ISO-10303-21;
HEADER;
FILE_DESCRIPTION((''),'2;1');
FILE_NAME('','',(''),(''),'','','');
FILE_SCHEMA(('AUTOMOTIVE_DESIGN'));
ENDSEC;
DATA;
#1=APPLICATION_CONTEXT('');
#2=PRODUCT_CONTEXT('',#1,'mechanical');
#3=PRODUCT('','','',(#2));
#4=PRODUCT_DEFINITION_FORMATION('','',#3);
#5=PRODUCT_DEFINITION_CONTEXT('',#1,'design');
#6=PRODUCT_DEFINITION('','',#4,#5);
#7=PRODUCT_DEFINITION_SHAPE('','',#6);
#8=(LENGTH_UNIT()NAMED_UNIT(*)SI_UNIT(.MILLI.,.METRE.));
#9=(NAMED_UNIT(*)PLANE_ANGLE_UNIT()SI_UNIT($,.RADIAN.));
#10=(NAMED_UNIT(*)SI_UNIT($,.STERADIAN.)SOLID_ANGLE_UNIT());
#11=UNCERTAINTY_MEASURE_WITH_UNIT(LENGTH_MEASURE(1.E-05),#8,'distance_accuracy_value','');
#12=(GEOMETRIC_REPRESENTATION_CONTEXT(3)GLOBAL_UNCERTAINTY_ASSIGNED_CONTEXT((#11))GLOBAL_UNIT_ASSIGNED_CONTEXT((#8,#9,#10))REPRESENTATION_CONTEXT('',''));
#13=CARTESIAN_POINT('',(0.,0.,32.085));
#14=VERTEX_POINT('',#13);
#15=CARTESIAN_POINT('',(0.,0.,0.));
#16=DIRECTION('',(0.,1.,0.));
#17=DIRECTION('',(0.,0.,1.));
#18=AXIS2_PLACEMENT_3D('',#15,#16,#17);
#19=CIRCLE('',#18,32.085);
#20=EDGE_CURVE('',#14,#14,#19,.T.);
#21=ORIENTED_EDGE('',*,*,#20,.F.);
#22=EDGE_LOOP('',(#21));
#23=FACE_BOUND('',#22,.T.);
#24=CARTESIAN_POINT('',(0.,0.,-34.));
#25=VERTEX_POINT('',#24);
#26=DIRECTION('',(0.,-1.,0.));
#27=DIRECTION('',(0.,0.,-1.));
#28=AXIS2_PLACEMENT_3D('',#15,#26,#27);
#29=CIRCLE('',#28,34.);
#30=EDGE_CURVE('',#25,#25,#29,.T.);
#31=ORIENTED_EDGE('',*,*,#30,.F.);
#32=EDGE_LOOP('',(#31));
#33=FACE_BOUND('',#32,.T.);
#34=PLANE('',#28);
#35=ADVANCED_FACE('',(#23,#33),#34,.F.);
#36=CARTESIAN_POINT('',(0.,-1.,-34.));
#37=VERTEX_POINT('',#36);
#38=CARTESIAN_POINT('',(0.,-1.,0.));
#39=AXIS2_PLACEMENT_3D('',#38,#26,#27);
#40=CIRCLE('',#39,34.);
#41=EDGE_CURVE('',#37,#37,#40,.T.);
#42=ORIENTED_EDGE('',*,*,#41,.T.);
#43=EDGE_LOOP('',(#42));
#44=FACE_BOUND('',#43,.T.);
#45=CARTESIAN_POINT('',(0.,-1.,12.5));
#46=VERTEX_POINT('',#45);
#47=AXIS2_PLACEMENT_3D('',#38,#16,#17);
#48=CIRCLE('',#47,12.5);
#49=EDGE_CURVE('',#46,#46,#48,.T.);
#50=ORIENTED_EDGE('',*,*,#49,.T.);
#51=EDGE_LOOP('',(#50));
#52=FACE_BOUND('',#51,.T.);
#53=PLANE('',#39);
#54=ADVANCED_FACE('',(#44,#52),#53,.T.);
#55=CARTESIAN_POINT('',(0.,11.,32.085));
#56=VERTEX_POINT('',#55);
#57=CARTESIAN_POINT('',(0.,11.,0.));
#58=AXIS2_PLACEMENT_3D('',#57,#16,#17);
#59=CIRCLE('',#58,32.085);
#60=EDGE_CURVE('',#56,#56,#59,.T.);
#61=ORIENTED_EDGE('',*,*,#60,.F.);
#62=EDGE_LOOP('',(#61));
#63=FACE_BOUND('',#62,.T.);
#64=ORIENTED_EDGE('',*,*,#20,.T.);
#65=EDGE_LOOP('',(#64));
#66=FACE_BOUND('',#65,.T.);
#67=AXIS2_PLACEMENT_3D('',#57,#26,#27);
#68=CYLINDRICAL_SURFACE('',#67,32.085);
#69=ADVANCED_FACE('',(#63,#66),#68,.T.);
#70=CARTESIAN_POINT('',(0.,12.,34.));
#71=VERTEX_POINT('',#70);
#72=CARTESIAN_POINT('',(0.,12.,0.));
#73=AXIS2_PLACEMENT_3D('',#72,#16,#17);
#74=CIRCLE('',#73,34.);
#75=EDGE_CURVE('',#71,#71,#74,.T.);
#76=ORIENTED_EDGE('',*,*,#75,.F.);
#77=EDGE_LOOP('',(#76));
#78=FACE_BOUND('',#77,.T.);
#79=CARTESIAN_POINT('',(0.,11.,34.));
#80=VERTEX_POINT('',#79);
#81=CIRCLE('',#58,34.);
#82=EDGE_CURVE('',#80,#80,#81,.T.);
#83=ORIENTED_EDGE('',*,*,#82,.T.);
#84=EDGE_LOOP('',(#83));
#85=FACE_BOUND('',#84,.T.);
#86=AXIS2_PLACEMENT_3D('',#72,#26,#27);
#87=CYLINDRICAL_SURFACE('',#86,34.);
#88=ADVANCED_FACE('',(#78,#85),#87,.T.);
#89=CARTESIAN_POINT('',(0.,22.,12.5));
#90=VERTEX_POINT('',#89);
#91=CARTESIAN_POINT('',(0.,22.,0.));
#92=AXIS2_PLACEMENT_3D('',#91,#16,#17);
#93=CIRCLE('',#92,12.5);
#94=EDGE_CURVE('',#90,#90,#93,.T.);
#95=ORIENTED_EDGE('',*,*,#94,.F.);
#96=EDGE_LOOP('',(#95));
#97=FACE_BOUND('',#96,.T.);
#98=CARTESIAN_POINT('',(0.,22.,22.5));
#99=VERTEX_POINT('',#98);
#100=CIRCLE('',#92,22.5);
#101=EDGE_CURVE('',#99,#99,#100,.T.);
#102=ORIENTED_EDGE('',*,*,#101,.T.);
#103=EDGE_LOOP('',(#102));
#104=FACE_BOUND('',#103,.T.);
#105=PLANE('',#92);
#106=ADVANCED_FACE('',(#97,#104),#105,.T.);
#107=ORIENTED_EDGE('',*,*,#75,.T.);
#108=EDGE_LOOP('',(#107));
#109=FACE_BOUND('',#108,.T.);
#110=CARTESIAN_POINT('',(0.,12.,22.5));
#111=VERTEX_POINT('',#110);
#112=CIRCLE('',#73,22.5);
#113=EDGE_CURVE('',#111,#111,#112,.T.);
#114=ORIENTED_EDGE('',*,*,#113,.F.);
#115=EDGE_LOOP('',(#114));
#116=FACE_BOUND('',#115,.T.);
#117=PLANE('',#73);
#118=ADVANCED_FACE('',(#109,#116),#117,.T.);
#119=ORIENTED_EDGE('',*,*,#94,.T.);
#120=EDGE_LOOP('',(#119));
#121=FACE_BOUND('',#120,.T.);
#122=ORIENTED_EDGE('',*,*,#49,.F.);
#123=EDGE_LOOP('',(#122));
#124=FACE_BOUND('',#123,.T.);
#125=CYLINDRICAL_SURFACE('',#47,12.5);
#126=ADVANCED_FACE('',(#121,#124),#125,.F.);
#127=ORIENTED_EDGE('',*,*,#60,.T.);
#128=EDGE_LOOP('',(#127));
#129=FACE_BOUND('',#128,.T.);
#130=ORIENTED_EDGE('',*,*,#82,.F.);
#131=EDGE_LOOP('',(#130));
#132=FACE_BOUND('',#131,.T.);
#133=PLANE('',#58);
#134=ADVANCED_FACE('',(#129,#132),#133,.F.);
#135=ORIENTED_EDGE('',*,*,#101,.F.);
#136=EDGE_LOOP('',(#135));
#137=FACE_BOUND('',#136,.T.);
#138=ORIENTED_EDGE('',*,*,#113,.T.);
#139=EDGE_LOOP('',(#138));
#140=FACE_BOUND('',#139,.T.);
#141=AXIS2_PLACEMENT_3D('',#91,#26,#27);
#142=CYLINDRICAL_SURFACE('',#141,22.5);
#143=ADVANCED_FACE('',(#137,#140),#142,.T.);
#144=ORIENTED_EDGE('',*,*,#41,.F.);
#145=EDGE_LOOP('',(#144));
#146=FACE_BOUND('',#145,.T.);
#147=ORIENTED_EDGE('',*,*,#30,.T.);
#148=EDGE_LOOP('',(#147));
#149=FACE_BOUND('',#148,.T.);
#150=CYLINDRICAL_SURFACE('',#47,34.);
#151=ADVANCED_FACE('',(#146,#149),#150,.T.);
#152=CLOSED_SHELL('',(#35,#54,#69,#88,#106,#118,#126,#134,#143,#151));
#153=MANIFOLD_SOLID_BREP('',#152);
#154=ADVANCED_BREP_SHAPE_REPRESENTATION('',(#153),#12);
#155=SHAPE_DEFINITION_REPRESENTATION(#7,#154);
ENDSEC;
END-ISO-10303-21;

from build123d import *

# Parameters (mm, degrees)
SKETCH_1_R          = 32.085
EXTRUDE_1_DEPTH     = 11
SKETCH_2_R          = 34
EXTRUDE_2_DEPTH     = 1
EXTRUDE_START       = 1
SKETCH_3_R          = 34
EXTRUDE_3_DEPTH     = 1
SKETCH_4_R          = 12.5
CUT_EXTRUDE_1_DEPTH = 50.809637622
EXTRUDE_START_2     = 10
SKETCH_5_R          = 22.5
SKETCH_5_R_2        = 12.5
EXTRUDE_4_DEPTH     = 10


with BuildPart() as part:
    # 草图1 → 凸台-拉伸1 (new body)
    with BuildSketch(Plane(origin=(0, 0, 0), x_dir=(1, 0, 0), z_dir=(0, 1, 0))):
        with Locations(Location((0, 0, 0), (0, 0, 270))):
            Circle(SKETCH_1_R)
    extrude(amount=EXTRUDE_1_DEPTH)

    # 草图2 → 凸台-拉伸2 (add)
    with BuildSketch(Plane(origin=(0, 11, 0), x_dir=(1, 0, 0), z_dir=(0, 1, 0))):
        with Locations(Location((0, 0, 0), (0, 0, 270))):
            Circle(SKETCH_2_R)
    extrude(amount=EXTRUDE_2_DEPTH)

    # 草图3 → 凸台-拉伸3 (add)
    with BuildSketch(Plane.XZ.offset(EXTRUDE_START)):
        with Locations(Location((0, 0, 0), (0, 0, 90))):
            Circle(SKETCH_3_R)
    extrude(amount=-EXTRUDE_3_DEPTH)

    # 草图4 → 切除-拉伸1 (cut, through all)
    with BuildSketch(Plane(origin=(0, 12, 0), x_dir=(1, 0, 0), z_dir=(0, 1, 0))):
        with Locations(Location((0, 0, 0), (0, 0, 270))):
            Circle(SKETCH_4_R)
    extrude(amount=-CUT_EXTRUDE_1_DEPTH, mode=Mode.SUBTRACT)

    # 草图5 → 凸台-拉伸4 (add)
    with BuildSketch(Plane(origin=(0, 12, 0), x_dir=(1, 0, 0), z_dir=(0, 1, 0)).offset(EXTRUDE_START_2)):
        with Locations(Location((0, 0, 0), (0, 0, 270))):
            Circle(SKETCH_5_R)
        with Locations(Location((0, 0, 0), (0, 0, 270))):
            Circle(SKETCH_5_R_2, mode=Mode.SUBTRACT)
    extrude(amount=-EXTRUDE_4_DEPTH)


solid = part.part
